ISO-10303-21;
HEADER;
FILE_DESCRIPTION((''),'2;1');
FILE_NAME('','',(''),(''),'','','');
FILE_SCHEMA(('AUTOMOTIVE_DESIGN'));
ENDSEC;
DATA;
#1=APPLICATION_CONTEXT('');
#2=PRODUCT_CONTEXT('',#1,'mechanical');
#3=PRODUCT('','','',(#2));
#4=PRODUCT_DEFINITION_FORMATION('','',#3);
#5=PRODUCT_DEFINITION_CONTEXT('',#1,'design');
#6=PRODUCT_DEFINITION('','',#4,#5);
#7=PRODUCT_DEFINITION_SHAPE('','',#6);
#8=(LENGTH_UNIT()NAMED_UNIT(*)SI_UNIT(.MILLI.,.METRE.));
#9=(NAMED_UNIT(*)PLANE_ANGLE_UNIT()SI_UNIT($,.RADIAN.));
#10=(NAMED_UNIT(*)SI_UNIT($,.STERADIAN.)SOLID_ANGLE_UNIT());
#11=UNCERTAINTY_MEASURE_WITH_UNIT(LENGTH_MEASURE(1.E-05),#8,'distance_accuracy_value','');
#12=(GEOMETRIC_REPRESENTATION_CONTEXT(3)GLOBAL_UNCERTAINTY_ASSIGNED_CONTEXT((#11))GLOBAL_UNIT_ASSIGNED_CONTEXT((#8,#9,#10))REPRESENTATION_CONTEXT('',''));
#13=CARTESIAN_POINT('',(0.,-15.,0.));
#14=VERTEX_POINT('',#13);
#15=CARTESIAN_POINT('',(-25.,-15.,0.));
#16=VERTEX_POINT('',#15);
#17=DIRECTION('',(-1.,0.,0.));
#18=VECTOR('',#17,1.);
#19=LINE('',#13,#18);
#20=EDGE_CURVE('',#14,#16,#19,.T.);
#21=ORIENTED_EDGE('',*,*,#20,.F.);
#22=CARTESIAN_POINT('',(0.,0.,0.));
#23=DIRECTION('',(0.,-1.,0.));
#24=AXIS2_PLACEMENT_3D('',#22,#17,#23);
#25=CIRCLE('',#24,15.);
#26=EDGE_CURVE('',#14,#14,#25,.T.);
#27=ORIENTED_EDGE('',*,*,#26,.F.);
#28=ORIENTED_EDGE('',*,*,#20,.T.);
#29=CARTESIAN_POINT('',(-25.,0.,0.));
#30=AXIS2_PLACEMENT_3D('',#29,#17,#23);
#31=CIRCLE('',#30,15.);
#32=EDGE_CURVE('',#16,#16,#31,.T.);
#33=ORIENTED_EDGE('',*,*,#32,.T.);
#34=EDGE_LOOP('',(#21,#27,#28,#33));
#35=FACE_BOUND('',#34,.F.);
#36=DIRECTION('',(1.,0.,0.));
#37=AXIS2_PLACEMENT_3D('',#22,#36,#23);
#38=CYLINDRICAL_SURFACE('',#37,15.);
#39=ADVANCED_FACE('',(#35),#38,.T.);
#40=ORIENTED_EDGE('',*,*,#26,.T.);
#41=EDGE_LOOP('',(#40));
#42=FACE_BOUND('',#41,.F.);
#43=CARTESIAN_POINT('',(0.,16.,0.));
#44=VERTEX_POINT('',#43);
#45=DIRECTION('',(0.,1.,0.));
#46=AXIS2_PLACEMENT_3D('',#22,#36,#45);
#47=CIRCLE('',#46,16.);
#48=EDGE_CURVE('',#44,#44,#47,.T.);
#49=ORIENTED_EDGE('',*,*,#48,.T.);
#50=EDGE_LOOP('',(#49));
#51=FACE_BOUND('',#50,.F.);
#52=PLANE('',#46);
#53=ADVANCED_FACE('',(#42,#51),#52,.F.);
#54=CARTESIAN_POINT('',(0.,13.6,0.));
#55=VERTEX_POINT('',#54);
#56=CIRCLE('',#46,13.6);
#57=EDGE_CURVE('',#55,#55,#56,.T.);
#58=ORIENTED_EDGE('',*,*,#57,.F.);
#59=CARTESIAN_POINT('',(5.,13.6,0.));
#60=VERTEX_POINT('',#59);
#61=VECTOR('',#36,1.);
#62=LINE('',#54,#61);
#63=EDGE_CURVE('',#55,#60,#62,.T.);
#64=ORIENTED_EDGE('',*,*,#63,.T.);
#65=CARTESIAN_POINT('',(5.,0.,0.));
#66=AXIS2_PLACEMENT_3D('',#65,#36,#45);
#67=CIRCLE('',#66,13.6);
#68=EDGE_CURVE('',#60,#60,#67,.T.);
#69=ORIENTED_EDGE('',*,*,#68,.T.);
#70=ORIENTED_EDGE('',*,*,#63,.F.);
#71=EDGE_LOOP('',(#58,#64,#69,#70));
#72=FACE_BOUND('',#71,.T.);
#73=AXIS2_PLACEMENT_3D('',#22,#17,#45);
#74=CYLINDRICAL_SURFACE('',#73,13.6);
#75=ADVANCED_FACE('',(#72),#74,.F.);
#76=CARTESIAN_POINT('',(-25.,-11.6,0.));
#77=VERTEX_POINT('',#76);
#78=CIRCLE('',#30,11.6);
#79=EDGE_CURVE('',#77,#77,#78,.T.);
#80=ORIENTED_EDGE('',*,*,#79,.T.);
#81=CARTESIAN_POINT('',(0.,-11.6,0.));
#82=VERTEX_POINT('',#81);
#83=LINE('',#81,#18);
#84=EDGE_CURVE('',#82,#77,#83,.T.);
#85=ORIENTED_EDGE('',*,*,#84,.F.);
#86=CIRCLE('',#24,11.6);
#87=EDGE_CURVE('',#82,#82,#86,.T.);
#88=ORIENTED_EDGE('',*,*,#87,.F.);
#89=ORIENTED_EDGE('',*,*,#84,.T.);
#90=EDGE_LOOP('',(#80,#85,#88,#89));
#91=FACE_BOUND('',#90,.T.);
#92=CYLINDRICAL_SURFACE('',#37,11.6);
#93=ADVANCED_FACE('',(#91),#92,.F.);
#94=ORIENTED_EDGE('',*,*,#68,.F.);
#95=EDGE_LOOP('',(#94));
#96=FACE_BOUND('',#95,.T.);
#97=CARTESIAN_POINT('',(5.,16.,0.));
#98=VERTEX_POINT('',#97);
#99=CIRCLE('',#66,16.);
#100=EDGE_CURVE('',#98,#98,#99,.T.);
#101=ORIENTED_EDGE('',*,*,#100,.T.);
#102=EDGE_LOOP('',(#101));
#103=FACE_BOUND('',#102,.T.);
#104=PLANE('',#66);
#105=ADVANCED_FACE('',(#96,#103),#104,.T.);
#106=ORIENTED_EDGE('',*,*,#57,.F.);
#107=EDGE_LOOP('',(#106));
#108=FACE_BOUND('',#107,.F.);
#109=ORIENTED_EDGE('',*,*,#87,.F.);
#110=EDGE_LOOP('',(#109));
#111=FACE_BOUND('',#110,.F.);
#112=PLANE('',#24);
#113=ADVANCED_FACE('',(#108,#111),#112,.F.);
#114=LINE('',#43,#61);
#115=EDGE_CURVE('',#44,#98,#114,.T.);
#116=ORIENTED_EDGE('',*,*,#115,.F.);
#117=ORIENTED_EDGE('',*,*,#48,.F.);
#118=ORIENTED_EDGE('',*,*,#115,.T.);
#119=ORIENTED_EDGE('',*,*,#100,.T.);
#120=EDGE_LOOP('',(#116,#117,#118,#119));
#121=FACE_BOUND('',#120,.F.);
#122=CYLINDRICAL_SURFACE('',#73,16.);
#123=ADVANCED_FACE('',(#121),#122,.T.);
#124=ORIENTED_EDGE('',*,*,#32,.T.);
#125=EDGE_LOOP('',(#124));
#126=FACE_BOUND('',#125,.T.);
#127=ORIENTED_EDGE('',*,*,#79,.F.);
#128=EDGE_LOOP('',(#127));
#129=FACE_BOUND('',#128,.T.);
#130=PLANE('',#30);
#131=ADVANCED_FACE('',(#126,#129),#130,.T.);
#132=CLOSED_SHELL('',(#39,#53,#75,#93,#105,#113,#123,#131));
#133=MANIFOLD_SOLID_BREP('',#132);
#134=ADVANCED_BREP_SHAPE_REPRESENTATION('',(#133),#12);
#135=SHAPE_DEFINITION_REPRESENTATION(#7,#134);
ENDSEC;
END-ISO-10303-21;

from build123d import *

# Parameters (mm, degrees)
F0_R     = 16
F0_R_2   = 13.6
F1_DEPTH = 5
F2_R     = 15
F2_R_2   = 11.6
F3_DEPTH = 25


with BuildPart() as f1:
    # F0 (on Right) → F1 (new body)
    with BuildSketch(Plane.YZ):
        Circle(F0_R)
        Circle(F0_R_2, mode=Mode.SUBTRACT)
    extrude(amount=F1_DEPTH)

    # F2 (on face) → F3 (join)
    with BuildSketch(Plane(origin=(0, 0, 0), x_dir=(0, -1, 0), z_dir=(-1, 0, 0))):
        Circle(F2_R)
        Circle(F2_R_2, mode=Mode.SUBTRACT)
    extrude(amount=F3_DEPTH)


solid = f1.part
